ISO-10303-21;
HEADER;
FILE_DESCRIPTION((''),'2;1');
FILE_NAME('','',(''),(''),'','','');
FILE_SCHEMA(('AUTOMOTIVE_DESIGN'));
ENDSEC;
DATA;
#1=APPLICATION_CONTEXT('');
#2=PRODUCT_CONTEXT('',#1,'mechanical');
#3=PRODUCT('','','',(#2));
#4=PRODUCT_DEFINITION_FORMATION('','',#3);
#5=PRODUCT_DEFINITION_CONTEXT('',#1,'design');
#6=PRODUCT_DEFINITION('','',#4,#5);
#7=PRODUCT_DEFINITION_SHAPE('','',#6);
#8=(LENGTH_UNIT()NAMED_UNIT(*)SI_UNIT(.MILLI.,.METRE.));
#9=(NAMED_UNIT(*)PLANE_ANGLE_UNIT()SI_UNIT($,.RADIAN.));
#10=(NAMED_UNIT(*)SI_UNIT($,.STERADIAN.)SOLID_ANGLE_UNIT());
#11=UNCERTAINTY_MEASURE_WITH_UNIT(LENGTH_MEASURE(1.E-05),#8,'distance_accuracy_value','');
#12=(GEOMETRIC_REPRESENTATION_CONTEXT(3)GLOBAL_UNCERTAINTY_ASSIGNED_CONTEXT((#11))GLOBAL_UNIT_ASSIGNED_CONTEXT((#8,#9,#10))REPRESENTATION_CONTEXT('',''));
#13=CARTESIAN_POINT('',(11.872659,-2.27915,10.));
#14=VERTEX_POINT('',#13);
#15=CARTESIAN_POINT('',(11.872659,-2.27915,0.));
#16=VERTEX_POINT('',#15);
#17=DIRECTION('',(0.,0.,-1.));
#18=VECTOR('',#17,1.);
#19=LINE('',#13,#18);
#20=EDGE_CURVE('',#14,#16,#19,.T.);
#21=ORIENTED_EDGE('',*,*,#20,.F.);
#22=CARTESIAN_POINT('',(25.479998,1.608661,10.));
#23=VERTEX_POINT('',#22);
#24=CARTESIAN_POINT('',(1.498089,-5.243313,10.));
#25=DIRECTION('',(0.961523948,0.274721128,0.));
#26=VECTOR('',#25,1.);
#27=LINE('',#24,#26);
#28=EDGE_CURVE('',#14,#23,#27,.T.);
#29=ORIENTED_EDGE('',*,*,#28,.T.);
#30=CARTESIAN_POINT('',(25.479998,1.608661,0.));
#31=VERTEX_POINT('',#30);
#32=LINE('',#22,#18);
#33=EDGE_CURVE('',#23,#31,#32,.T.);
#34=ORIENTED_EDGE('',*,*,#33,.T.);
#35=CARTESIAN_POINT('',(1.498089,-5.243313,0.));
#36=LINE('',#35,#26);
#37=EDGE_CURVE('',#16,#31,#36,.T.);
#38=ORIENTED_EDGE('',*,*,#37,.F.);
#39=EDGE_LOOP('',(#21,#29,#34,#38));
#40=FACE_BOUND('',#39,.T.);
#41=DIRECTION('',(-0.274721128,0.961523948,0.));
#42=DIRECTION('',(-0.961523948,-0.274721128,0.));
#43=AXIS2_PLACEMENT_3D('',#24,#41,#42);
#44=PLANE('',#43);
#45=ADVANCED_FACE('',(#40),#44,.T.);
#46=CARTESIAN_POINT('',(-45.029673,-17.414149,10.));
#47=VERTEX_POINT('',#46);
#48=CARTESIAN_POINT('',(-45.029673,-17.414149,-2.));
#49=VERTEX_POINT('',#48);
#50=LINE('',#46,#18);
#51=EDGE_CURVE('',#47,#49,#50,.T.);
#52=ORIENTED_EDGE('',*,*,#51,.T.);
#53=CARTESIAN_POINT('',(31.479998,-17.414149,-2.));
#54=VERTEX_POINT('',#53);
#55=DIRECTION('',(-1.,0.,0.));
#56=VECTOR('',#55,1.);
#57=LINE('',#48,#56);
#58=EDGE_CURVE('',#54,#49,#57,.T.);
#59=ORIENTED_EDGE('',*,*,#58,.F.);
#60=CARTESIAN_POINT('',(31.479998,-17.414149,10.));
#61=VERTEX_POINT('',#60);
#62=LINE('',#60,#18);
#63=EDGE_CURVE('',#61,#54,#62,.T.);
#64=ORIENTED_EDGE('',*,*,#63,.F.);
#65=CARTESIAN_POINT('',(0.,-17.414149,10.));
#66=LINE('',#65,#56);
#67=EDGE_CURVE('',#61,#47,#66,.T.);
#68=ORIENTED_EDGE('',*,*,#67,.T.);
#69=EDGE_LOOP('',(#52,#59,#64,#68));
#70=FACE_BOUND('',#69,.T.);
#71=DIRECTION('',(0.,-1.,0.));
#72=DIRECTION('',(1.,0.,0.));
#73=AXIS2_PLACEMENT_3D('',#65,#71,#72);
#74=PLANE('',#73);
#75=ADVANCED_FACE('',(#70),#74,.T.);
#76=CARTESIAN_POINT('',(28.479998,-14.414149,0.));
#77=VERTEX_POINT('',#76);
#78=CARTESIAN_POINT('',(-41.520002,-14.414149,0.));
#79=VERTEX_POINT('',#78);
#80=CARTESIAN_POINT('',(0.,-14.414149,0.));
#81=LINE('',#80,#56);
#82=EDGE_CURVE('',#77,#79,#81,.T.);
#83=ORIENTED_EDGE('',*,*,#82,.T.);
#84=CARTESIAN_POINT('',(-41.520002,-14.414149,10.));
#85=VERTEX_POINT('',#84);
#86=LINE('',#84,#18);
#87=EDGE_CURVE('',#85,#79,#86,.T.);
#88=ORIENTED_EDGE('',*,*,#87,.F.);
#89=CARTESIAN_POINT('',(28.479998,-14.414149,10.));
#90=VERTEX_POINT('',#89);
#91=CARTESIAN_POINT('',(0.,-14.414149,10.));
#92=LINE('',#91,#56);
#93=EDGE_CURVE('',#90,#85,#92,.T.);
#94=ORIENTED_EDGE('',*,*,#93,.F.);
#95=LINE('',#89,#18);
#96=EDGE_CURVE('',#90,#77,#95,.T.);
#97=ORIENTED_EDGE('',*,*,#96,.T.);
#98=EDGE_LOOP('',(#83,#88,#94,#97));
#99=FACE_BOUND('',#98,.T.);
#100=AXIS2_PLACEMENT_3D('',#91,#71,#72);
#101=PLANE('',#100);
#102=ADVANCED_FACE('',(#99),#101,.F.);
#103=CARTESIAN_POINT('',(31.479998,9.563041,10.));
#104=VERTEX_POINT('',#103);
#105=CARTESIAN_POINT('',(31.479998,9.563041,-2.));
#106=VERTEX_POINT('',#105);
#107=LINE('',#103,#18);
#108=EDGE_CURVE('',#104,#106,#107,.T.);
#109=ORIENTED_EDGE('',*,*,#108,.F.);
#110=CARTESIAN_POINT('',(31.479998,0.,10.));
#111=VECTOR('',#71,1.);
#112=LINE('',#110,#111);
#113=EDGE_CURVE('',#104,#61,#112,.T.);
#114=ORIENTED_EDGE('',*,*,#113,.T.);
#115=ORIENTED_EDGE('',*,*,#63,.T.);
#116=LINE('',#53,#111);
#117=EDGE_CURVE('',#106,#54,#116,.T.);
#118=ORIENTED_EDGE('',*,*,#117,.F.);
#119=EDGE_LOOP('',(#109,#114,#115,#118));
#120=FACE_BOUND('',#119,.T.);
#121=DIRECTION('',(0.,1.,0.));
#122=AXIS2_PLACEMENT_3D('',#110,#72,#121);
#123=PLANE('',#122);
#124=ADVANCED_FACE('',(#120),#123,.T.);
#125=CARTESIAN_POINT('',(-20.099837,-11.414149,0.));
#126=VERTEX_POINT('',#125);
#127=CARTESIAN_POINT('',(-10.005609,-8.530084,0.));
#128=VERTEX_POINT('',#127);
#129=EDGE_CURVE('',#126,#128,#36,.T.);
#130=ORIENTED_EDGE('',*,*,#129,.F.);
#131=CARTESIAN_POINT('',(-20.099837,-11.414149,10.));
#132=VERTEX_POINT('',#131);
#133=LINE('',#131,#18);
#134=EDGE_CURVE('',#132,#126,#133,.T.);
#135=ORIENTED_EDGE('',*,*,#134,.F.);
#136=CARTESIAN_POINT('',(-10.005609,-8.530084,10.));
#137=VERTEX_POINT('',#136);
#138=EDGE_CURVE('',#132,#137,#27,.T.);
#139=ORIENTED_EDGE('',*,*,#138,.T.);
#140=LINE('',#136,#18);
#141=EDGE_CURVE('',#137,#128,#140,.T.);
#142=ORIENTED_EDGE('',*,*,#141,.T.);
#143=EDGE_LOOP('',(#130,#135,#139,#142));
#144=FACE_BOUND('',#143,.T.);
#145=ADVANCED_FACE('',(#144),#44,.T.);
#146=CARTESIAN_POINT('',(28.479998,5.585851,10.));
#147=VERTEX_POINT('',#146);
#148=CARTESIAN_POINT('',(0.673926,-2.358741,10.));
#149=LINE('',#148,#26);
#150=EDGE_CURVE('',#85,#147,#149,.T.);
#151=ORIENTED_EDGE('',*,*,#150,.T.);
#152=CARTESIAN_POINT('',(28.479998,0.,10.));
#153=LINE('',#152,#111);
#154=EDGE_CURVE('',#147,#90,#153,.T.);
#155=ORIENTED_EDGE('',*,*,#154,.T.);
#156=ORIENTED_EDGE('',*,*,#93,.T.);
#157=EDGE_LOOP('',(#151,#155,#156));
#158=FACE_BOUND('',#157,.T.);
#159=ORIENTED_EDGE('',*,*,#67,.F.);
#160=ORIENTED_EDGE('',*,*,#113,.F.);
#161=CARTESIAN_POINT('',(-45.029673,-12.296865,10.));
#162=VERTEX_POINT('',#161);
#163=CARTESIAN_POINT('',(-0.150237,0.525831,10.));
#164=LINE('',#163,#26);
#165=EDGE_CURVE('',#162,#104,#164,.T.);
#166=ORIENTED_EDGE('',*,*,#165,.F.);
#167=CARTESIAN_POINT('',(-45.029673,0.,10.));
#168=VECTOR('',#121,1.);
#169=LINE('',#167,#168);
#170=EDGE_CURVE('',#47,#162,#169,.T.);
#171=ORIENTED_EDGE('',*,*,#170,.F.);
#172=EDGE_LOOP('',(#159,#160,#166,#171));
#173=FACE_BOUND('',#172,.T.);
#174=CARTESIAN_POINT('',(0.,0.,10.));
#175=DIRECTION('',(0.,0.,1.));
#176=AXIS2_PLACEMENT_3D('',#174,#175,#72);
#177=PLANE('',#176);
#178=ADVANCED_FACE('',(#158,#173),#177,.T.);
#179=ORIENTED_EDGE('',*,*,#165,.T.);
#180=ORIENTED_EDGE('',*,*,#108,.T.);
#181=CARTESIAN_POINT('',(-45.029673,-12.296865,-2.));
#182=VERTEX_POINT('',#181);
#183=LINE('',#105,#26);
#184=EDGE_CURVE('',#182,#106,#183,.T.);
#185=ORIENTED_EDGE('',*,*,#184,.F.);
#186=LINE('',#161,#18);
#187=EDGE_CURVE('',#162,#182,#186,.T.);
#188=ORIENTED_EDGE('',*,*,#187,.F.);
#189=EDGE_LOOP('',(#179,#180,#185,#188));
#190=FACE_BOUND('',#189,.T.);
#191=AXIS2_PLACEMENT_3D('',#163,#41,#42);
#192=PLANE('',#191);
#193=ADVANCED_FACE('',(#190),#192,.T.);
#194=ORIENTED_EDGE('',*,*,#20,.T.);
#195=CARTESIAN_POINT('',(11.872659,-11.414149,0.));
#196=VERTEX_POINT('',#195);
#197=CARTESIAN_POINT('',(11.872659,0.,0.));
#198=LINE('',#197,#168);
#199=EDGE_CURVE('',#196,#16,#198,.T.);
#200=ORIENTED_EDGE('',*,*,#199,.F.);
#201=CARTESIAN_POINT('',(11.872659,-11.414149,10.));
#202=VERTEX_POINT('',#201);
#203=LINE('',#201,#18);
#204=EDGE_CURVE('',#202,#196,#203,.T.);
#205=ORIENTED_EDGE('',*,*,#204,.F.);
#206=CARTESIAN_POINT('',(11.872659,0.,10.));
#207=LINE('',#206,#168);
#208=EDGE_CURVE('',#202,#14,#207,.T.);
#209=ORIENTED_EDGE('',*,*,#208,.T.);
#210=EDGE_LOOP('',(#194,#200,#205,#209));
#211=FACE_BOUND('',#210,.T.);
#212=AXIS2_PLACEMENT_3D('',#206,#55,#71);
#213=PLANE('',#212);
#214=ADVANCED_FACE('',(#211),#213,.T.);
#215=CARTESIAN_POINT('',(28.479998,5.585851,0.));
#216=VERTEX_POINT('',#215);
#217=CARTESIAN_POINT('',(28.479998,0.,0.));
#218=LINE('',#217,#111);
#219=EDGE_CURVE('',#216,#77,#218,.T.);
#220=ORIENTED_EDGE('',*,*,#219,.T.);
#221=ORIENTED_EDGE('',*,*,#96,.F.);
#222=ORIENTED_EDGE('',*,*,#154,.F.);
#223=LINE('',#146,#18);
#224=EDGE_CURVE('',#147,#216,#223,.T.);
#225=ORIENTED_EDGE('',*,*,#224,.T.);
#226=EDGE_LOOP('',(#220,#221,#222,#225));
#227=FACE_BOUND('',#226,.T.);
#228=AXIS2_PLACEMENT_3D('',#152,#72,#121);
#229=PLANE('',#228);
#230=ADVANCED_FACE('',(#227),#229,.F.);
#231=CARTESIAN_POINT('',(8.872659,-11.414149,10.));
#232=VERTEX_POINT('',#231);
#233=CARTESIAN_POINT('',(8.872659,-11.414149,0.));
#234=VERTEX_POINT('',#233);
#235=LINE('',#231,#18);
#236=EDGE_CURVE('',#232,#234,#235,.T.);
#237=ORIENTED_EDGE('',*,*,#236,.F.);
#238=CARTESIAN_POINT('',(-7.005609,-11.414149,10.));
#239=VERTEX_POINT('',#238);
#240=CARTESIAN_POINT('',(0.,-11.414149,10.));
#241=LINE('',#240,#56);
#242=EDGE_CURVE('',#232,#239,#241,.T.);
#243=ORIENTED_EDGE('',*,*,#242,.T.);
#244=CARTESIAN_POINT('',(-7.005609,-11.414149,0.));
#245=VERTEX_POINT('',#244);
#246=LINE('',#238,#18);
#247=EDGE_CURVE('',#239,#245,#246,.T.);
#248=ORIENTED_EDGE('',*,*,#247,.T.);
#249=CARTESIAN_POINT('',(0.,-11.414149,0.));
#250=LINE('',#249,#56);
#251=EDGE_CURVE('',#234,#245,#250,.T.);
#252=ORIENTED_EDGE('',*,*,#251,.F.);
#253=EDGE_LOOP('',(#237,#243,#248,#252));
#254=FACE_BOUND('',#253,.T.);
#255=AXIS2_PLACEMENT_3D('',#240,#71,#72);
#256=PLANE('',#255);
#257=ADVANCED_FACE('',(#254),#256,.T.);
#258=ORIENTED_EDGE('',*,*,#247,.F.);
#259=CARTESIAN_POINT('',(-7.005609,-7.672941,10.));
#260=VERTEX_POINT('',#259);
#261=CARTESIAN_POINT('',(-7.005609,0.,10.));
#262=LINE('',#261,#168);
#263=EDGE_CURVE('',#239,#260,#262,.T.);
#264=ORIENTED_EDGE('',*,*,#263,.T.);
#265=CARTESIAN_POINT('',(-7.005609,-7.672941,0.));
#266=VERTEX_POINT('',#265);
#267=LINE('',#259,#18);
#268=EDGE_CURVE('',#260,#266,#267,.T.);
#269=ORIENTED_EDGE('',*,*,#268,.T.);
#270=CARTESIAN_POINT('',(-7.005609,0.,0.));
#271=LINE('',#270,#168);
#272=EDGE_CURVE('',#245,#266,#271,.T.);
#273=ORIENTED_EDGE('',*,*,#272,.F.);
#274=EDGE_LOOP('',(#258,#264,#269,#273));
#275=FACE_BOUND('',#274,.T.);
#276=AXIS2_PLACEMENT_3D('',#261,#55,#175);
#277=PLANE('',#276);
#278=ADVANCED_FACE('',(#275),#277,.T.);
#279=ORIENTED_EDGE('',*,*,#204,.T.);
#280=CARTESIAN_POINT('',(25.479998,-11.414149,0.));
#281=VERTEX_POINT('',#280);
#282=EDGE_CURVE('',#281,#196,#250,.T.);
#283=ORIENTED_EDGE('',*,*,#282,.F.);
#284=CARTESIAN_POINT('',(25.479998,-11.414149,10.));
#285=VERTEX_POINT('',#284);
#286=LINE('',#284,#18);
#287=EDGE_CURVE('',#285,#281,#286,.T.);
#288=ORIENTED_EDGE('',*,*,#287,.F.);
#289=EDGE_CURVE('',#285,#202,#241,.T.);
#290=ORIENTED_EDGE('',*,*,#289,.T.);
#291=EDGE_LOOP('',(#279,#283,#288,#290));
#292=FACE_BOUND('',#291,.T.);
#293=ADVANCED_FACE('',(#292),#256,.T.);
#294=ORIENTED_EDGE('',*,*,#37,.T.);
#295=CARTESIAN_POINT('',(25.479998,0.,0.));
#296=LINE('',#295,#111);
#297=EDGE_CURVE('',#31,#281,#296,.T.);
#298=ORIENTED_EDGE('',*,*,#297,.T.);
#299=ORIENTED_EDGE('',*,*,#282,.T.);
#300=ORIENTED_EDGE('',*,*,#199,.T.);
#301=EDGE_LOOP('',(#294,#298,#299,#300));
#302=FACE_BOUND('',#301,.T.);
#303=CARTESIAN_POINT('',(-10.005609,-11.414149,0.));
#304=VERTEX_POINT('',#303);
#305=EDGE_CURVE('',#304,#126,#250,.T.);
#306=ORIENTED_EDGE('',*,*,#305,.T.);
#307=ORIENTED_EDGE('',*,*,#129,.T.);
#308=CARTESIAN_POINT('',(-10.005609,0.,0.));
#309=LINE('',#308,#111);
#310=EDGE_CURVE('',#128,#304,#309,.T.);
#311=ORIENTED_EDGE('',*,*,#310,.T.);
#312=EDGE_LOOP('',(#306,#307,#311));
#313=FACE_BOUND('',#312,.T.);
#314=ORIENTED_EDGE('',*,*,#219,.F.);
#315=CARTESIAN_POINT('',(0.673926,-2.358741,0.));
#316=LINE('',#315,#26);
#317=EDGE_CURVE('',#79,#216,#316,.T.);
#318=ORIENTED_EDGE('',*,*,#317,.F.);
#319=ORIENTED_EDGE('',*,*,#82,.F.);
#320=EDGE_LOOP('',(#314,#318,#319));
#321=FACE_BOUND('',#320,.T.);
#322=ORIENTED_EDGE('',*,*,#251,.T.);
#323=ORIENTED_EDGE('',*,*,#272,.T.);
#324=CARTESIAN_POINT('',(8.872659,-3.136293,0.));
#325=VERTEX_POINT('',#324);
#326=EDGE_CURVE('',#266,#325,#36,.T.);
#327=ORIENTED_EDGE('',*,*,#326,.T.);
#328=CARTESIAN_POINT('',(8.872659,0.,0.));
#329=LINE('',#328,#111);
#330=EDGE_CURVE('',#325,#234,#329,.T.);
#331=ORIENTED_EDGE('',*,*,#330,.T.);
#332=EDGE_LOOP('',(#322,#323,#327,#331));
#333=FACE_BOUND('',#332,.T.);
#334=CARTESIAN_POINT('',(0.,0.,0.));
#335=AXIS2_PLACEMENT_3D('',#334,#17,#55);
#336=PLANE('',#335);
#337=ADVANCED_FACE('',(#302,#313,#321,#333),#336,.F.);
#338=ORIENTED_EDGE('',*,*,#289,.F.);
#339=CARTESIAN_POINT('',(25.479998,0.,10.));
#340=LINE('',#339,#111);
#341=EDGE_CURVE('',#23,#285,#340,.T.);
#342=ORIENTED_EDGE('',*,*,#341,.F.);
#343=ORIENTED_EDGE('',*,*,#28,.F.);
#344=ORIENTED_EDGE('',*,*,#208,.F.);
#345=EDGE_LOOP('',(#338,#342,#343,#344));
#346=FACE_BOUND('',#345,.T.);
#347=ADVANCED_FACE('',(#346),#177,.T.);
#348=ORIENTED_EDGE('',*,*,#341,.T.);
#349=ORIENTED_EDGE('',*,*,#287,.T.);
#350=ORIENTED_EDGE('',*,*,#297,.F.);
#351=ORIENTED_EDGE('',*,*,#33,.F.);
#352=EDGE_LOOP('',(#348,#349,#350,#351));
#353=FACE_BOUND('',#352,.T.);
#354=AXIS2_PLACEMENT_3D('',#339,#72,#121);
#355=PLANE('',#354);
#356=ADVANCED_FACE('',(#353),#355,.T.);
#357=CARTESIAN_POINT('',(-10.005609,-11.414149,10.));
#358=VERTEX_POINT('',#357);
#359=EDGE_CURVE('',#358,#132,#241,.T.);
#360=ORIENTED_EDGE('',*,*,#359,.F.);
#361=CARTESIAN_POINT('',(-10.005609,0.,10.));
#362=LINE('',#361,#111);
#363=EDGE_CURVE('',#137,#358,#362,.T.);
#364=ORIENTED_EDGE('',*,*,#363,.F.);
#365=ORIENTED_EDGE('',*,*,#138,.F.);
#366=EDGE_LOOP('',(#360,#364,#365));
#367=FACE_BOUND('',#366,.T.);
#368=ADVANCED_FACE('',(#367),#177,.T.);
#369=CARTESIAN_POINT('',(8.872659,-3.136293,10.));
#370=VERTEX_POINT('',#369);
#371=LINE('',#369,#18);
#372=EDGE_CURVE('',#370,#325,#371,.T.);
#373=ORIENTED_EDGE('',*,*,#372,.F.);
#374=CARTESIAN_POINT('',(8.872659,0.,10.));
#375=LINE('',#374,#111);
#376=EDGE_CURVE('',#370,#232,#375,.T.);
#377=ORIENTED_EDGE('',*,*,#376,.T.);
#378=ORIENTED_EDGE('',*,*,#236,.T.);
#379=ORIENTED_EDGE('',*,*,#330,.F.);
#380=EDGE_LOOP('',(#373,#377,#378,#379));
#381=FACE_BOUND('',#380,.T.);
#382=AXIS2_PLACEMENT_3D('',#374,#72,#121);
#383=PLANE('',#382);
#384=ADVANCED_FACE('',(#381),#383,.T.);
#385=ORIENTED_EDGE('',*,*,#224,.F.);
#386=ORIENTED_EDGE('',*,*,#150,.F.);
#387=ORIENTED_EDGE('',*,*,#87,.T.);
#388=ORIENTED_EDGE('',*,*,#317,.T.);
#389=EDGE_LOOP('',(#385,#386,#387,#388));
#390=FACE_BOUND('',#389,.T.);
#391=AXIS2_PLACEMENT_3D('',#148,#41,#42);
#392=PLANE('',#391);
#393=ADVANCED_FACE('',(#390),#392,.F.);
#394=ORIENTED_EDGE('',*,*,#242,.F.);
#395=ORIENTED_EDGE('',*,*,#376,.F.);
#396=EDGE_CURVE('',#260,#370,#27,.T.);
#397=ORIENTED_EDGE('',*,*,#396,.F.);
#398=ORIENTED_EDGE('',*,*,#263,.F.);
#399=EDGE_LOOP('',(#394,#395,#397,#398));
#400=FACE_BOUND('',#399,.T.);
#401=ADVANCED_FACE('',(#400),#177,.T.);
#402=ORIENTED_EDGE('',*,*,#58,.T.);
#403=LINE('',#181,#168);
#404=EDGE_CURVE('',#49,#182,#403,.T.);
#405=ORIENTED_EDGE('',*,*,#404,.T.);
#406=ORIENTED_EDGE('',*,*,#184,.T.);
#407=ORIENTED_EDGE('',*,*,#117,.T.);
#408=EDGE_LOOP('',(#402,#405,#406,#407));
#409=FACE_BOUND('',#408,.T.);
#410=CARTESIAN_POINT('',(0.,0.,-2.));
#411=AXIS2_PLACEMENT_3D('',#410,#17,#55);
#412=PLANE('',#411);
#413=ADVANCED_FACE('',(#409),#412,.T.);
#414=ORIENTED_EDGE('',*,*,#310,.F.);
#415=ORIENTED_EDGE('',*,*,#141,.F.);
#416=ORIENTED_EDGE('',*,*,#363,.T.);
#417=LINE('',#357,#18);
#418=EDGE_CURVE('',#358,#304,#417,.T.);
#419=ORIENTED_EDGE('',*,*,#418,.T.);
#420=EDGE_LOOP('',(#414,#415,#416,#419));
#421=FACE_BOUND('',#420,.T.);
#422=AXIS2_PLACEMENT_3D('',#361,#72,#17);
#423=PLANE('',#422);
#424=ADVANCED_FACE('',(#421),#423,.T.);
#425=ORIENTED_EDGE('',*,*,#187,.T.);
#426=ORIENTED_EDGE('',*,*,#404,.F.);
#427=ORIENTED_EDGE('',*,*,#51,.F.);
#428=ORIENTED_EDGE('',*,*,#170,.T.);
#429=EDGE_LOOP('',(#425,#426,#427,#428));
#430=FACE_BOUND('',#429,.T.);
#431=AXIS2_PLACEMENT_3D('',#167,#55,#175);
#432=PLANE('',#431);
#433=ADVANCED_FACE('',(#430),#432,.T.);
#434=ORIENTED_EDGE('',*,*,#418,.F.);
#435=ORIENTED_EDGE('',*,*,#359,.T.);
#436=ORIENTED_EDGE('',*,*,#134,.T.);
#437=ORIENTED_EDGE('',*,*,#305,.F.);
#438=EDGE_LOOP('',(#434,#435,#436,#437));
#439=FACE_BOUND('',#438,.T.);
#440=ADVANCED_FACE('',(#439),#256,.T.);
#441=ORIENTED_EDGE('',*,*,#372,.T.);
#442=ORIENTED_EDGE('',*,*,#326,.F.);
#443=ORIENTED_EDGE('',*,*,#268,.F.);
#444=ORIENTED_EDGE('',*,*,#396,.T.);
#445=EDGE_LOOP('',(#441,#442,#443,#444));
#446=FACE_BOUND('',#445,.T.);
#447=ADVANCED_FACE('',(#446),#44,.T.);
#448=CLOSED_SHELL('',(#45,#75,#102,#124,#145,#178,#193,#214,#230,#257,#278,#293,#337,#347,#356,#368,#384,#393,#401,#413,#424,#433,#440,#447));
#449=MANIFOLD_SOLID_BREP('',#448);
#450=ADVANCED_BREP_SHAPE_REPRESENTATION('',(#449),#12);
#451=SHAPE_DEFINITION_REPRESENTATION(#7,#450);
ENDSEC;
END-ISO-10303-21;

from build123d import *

# Parameters (mm, degrees)
BOSS_EXTRUDE1_DEPTH   = 10
BOSS_EXTRUDE1_2_DEPTH = 10
BOSS_EXTRUDE1_3_DEPTH = 10
BOSS_EXTRUDE1_4_DEPTH = 10
BOSS_EXTRUDE2_DEPTH   = 2


with BuildPart() as part:
    # Sketch1 → Boss-Extrude1 (new body)
    with BuildSketch(Plane.XY):
        Polygon((-45.029672623, -17.414149003), (-45.029672623, -12.296865077), (31.479998469, 9.563040949), (31.479998469, -17.414149003), align=None)
        Polygon((28.479998469, -14.414149003), (-41.520001531, -14.414149003), (28.479998469, 5.585850997), align=None, mode=Mode.SUBTRACT)
    extrude(amount=BOSS_EXTRUDE1_DEPTH)



with BuildPart() as body_2:
    # Sketch1 → Boss-Extrude1 2 (new body)
    with BuildSketch(Plane.XY):
        Polygon((-20.099836697, -11.414149003), (-10.005608589, -8.530083829), (-10.005608589, -11.414149003), align=None)
    extrude(amount=BOSS_EXTRUDE1_2_DEPTH)


with BuildPart() as body_3:
    # Sketch1 → Boss-Extrude1 3 (new body)
    with BuildSketch(Plane.XY):
        Polygon((-7.005608589, -7.672940972), (8.872659236, -3.136293022), (8.872659236, -11.414149003), (-7.005608589, -11.414149003), align=None)
    extrude(amount=BOSS_EXTRUDE1_3_DEPTH)


with BuildPart() as body_4:
    # Sketch1 → Boss-Extrude1 4 (new body)
    with BuildSketch(Plane.XY):
        Polygon((11.872659236, -2.279150165), (25.479998469, 1.608661044), (25.479998469, -11.414149003), (11.872659236, -11.414149003), align=None)
    extrude(amount=BOSS_EXTRUDE1_4_DEPTH)


with BuildPart() as part_1:
    add(part.part)

    add(body_2.part)  # Boss-Extrude2 merges body 2

    add(body_3.part)  # Boss-Extrude2 merges body 3

    add(body_4.part)  # Boss-Extrude2 merges body 4
    # Sketch2 → Boss-Extrude2 (add)
    with BuildSketch(Plane(origin=(0, 0, 0), x_dir=(-1, 0, 0), z_dir=(0, 0, -1))):
        Polygon((-31.479998469, 9.563040949), (45.029672623, -12.296865077), (45.029672623, -17.414149003), (-31.479998469, -17.414149003), align=None)
    extrude(amount=BOSS_EXTRUDE2_DEPTH)


solid = part_1.part
